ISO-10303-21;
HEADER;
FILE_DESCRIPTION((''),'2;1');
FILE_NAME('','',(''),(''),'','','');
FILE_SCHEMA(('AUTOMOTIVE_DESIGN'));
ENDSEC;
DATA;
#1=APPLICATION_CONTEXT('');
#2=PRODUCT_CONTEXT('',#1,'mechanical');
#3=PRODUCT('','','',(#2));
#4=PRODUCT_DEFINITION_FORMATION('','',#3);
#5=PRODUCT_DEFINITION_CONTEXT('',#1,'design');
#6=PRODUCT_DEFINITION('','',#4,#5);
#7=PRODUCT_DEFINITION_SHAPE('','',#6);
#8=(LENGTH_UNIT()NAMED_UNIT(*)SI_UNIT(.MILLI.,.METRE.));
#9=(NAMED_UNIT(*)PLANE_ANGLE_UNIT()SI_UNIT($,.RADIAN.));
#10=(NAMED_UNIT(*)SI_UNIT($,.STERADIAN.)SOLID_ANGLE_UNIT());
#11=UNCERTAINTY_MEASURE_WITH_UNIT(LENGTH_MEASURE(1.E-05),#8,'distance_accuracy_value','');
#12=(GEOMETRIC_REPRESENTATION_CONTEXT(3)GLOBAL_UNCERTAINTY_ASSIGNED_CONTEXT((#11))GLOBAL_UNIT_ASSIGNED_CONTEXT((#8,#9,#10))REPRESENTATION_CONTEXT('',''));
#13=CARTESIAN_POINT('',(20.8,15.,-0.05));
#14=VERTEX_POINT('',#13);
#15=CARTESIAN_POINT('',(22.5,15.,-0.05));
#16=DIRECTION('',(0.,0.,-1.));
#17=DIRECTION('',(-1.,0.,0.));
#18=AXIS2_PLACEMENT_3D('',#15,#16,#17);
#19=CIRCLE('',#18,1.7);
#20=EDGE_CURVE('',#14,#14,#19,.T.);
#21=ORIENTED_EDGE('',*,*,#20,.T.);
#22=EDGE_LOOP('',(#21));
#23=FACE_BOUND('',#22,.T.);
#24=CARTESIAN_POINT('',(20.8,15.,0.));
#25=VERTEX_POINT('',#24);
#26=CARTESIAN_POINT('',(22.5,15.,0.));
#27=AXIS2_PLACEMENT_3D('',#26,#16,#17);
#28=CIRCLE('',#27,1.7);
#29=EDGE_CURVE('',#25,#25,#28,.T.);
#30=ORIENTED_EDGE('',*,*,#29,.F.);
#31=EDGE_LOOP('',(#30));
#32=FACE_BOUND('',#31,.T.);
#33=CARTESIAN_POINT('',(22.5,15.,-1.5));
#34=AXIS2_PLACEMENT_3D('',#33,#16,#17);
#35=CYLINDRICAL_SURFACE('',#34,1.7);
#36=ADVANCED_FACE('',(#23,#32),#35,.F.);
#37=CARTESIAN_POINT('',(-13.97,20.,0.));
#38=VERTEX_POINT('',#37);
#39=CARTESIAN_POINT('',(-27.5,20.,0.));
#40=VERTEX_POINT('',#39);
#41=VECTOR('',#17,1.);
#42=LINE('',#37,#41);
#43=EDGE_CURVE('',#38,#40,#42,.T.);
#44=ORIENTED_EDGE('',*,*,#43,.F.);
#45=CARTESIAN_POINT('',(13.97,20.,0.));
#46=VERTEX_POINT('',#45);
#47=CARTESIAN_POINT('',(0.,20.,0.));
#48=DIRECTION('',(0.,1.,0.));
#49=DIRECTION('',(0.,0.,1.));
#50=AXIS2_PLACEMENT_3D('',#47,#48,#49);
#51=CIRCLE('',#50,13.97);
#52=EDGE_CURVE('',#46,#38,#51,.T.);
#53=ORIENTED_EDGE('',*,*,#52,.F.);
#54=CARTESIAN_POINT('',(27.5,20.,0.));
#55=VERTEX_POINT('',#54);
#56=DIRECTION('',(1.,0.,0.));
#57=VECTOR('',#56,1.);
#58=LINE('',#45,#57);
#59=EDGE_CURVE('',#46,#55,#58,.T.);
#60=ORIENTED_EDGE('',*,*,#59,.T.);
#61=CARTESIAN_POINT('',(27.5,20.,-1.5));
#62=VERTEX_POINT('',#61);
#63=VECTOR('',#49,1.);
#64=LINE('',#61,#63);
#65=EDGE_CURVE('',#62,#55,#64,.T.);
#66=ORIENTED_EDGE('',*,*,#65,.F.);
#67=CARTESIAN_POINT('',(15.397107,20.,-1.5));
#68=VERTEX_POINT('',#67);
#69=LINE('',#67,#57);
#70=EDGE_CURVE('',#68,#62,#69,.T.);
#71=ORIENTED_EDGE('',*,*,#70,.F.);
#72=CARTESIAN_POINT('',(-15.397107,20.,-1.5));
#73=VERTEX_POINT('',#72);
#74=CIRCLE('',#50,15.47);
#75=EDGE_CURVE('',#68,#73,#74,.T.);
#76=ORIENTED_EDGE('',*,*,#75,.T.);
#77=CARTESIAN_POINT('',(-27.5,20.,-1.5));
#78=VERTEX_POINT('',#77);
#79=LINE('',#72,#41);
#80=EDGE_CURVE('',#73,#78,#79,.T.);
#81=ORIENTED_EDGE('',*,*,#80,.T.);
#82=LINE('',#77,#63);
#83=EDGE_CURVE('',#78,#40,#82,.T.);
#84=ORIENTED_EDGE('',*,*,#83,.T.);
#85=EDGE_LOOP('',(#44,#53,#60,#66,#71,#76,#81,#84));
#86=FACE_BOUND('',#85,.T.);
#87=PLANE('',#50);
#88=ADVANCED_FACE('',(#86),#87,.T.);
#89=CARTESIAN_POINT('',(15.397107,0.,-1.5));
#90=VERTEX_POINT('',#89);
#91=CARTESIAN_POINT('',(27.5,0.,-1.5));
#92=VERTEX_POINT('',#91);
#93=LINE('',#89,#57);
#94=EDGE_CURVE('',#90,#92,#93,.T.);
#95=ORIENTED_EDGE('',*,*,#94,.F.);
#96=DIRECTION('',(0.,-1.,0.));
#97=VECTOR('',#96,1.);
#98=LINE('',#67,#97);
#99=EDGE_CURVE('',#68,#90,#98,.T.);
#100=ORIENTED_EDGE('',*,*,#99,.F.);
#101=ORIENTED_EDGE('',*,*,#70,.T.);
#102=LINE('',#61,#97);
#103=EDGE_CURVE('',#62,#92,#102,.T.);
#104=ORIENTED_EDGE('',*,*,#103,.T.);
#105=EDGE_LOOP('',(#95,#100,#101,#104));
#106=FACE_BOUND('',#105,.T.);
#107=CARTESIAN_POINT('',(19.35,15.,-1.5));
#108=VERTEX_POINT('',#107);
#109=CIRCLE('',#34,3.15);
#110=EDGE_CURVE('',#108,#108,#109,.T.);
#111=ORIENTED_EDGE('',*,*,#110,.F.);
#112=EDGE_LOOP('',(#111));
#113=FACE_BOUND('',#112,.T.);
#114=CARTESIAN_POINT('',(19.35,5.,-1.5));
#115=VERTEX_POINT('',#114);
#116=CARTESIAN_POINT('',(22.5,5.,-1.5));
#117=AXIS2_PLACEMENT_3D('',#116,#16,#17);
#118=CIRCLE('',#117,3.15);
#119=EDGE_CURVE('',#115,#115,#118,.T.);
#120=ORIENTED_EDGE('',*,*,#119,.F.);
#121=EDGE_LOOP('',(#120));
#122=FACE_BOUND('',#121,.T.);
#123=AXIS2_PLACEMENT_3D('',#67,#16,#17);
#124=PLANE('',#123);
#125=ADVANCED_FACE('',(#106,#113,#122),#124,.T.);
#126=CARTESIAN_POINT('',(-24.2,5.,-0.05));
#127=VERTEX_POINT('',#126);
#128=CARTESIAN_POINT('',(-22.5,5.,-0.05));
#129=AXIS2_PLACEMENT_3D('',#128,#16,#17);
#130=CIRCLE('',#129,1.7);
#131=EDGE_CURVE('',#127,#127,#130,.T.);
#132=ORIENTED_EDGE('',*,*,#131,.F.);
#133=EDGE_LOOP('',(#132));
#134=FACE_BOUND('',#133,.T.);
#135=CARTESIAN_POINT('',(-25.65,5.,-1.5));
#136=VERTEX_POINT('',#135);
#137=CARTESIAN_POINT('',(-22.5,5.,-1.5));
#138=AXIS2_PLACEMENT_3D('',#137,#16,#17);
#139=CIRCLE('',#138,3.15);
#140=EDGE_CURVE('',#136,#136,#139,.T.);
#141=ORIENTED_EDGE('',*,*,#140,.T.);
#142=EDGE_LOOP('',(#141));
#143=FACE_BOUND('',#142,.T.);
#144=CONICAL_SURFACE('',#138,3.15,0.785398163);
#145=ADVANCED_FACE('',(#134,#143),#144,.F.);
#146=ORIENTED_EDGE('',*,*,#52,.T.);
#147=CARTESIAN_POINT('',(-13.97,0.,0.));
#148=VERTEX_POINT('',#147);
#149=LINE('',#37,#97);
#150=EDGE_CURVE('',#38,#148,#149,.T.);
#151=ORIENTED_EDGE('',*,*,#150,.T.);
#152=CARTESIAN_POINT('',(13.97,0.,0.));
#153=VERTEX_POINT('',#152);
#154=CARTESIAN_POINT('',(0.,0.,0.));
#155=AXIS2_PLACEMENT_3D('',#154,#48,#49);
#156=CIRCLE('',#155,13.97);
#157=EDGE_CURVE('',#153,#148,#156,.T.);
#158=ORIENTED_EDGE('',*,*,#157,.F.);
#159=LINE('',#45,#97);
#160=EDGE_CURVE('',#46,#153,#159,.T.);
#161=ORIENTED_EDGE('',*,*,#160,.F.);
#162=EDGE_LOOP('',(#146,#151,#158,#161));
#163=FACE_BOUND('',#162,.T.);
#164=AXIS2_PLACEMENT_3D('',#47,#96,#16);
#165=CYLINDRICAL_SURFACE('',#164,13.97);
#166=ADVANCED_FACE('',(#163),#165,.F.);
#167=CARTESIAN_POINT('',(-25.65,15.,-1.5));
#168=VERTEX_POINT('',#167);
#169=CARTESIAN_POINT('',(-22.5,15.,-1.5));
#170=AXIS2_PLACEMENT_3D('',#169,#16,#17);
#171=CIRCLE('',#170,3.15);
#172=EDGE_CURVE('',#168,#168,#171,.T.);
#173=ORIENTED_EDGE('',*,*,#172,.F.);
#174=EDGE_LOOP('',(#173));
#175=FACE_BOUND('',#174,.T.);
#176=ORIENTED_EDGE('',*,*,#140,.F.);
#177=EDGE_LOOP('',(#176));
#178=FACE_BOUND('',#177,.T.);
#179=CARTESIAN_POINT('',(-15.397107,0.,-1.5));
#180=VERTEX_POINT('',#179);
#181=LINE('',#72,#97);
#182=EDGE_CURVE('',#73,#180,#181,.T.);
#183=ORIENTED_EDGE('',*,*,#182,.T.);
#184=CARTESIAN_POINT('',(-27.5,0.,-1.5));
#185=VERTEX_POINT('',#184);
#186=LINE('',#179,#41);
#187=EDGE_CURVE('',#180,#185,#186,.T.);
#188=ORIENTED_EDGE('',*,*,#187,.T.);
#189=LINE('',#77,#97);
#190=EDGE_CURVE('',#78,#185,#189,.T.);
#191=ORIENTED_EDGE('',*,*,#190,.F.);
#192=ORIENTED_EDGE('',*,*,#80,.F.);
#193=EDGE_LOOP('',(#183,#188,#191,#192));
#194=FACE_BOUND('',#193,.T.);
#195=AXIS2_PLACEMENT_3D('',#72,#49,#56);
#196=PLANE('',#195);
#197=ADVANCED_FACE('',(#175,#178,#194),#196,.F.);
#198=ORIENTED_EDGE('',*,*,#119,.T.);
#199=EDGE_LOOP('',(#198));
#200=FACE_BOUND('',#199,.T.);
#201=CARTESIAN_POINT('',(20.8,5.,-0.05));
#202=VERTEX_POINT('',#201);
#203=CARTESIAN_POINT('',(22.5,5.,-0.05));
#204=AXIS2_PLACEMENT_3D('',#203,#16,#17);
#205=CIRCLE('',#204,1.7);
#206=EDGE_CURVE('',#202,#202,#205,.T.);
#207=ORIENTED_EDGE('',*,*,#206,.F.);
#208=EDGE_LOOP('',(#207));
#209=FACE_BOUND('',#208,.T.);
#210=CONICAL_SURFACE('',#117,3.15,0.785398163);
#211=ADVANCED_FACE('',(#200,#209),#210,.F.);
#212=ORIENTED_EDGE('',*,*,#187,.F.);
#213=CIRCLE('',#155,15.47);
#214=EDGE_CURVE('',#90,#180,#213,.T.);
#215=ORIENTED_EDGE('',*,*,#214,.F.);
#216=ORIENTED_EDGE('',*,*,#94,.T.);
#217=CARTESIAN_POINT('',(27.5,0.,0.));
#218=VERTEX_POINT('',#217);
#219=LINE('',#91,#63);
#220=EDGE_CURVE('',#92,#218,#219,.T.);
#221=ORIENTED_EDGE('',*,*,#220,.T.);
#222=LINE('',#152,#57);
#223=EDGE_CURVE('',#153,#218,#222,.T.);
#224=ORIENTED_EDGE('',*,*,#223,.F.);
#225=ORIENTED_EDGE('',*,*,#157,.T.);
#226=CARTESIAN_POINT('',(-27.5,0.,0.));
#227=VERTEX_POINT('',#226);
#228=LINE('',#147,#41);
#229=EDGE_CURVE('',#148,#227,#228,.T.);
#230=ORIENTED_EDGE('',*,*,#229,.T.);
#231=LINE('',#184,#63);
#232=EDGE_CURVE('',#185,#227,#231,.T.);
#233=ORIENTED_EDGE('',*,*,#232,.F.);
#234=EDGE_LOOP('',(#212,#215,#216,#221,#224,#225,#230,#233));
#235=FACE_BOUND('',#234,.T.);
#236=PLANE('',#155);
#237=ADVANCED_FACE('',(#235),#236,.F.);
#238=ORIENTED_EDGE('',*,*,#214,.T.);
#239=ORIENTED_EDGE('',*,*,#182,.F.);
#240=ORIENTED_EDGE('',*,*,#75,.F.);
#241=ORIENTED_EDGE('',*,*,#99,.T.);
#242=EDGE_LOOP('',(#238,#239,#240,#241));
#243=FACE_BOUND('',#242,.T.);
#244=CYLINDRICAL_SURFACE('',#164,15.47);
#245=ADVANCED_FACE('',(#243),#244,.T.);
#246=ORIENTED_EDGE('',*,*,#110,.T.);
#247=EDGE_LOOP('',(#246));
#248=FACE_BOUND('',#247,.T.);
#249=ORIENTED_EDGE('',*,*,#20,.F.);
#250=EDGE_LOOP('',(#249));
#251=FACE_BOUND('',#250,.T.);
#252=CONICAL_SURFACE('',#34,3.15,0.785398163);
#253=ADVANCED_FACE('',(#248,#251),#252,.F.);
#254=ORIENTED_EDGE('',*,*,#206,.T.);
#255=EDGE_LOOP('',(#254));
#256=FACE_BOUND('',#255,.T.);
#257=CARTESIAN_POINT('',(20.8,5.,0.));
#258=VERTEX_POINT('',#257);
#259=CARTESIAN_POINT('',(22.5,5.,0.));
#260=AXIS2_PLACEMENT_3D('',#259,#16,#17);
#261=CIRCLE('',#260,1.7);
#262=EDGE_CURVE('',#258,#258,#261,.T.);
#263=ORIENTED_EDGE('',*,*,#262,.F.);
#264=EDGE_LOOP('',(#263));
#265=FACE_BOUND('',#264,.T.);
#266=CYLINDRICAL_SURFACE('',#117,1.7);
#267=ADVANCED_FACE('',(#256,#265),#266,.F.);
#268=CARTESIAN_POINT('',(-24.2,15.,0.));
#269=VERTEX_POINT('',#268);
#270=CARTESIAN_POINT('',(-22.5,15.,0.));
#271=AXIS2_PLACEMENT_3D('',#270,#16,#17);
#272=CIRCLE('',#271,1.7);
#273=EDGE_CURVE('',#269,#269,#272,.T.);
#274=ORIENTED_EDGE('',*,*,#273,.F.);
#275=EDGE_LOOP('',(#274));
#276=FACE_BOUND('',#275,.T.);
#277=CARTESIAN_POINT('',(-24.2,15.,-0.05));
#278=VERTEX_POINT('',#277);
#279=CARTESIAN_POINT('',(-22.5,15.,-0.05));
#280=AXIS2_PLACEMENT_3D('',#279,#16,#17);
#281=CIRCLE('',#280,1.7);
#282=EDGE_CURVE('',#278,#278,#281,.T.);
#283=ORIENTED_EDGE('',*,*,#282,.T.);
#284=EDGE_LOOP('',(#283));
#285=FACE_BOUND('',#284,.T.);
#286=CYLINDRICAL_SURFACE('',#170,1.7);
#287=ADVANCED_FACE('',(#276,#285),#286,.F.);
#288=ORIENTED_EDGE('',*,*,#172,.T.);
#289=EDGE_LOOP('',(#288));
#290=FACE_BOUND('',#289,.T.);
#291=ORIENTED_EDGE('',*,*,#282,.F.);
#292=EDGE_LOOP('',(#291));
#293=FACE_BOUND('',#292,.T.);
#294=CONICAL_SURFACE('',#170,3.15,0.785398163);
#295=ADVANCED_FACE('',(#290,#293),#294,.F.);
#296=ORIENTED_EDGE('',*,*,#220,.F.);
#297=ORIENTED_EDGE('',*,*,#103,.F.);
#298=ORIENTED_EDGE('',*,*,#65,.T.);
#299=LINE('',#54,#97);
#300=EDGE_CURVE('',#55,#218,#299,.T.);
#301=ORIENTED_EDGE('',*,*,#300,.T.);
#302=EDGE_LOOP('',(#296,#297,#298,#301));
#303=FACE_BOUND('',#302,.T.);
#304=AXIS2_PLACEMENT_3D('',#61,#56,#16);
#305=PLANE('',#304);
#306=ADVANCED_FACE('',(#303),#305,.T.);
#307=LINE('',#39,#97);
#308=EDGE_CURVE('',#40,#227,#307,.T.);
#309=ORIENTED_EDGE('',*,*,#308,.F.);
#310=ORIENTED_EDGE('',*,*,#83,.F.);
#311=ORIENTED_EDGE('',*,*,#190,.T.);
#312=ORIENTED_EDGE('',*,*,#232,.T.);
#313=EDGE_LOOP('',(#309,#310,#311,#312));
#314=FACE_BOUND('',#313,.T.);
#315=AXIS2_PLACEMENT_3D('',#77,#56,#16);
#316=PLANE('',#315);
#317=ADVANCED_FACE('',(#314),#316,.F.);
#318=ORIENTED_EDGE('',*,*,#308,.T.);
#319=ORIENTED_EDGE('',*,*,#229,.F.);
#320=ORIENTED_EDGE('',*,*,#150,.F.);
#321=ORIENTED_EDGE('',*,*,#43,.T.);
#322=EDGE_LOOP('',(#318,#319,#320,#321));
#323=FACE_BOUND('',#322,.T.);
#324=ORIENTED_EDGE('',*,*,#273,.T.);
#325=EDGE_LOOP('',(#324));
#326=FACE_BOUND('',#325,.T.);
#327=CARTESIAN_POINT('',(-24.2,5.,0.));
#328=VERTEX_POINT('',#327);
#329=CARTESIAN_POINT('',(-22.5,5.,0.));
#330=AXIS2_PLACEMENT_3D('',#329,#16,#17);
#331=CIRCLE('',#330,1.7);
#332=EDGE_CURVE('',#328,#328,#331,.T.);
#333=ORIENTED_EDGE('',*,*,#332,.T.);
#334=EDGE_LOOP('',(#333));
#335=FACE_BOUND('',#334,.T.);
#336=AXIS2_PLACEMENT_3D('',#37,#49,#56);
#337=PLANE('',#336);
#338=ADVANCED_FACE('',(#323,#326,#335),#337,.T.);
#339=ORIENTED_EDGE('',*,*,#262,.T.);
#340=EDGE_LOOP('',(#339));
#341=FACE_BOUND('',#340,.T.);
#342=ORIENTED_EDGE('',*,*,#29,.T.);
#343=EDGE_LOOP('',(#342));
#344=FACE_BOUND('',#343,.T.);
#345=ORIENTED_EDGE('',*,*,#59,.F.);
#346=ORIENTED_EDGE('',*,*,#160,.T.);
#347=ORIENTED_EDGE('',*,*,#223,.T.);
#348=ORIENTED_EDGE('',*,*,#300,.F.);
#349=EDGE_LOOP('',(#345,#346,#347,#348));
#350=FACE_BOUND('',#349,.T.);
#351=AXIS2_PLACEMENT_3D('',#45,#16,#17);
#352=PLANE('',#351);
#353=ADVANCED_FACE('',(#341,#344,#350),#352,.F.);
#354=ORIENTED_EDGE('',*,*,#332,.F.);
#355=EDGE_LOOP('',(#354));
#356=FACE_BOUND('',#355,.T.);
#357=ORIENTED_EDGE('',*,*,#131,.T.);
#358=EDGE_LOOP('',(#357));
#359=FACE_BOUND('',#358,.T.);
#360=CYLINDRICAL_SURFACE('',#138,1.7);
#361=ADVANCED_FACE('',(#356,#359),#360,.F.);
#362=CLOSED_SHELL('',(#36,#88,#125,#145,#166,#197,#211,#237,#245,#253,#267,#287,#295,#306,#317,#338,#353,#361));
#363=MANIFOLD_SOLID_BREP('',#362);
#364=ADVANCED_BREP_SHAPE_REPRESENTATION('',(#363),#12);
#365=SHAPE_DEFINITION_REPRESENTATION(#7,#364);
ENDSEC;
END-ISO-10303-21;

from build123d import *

# Parameters (mm, degrees)
BOSS_EXTRUDE1_DEPTH                          = 20
CSK_FOR_M3_COUNTERSUNK_FLAT_HEAD_SCR_2_COUNT = 2
CSK_FOR_M3_COUNTERSUNK_FLAT_HEAD_SCR_2_PITCH = 45
CSK_FOR_M3_COUNTERSUNK_FLAT_HEAD_SCR_3_COUNT = 2
CSK_FOR_M3_COUNTERSUNK_FLAT_HEAD_SCR_3_PITCH = 10
CSK_FOR_M3_COUNTERSUNK_FLAT_HEAD_SCR_4_COUNT = 2
CSK_FOR_M3_COUNTERSUNK_FLAT_HEAD_SCR_4_PITCH = 46.097722286


with BuildPart() as part:
    # Sketch1 → Boss-Extrude1 (new body)
    with BuildSketch(Plane(origin=(0, 0, 0), x_dir=(1, 0, 0), z_dir=(0, 1, 0))):
        with BuildLine():
            Line((-13.97, 0), (-27.5, 0))
            Line((-27.5, 0), (-27.5, 1.5))
            Line((-27.5, 1.5), (-15.397106871, 1.5))
            ThreePointArc((-15.397106871, 1.5), (0, 15.47), (15.397106871, 1.5))
            Line((15.397106871, 1.5), (27.5, 1.5))
            Line((27.5, 1.5), (27.5, 0))
            Line((27.5, 0), (13.97, 0))
            ThreePointArc((13.97, 0), (0, 13.97), (-13.97, 0))
        make_face()
    extrude(amount=BOSS_EXTRUDE1_DEPTH)

    # Sketch3 → CSK for M3 Countersunk Flat Head Screw1 (revolve, cut)
    with BuildSketch(Plane(origin=(22.5, 5, -1.5), x_dir=(0, 1, 0), z_dir=(1, 0, 0))):
        Polygon((0, 0), (0, 1.5), (1.7, 1.5), (1.7, 1.45), (3.15, 0), align=None)
    csk_for_m3_countersunk_flat_head_screw1 = revolve(axis=Axis((22.5, 5, -7.85), (0, 0, 1)), mode=Mode.SUBTRACT)

    # CSK for M3 Countersunk Flat Head Scr 2: CSK for M3 Countersunk Flat Head Screw1 ×2
    with Locations(*[(-i * CSK_FOR_M3_COUNTERSUNK_FLAT_HEAD_SCR_2_PITCH, 0, 0) for i in range(1, CSK_FOR_M3_COUNTERSUNK_FLAT_HEAD_SCR_2_COUNT)]):
        add(csk_for_m3_countersunk_flat_head_screw1, mode=Mode.SUBTRACT)

    # CSK for M3 Countersunk Flat Head Scr 3: CSK for M3 Countersunk Flat Head Screw1 ×2
    with Locations(*[(0, i * CSK_FOR_M3_COUNTERSUNK_FLAT_HEAD_SCR_3_PITCH, 0) for i in range(1, CSK_FOR_M3_COUNTERSUNK_FLAT_HEAD_SCR_3_COUNT)]):
        add(csk_for_m3_countersunk_flat_head_screw1, mode=Mode.SUBTRACT)

    # CSK for M3 Countersunk Flat Head Scr 4: CSK for M3 Countersunk Flat Head Screw1 ×2
    with Locations(*[Vector(-0.9761870601839527, 0.21693045781865616, 0) * (i * CSK_FOR_M3_COUNTERSUNK_FLAT_HEAD_SCR_4_PITCH) for i in range(1, CSK_FOR_M3_COUNTERSUNK_FLAT_HEAD_SCR_4_COUNT)]):
        add(csk_for_m3_countersunk_flat_head_screw1, mode=Mode.SUBTRACT)


solid = part.part
